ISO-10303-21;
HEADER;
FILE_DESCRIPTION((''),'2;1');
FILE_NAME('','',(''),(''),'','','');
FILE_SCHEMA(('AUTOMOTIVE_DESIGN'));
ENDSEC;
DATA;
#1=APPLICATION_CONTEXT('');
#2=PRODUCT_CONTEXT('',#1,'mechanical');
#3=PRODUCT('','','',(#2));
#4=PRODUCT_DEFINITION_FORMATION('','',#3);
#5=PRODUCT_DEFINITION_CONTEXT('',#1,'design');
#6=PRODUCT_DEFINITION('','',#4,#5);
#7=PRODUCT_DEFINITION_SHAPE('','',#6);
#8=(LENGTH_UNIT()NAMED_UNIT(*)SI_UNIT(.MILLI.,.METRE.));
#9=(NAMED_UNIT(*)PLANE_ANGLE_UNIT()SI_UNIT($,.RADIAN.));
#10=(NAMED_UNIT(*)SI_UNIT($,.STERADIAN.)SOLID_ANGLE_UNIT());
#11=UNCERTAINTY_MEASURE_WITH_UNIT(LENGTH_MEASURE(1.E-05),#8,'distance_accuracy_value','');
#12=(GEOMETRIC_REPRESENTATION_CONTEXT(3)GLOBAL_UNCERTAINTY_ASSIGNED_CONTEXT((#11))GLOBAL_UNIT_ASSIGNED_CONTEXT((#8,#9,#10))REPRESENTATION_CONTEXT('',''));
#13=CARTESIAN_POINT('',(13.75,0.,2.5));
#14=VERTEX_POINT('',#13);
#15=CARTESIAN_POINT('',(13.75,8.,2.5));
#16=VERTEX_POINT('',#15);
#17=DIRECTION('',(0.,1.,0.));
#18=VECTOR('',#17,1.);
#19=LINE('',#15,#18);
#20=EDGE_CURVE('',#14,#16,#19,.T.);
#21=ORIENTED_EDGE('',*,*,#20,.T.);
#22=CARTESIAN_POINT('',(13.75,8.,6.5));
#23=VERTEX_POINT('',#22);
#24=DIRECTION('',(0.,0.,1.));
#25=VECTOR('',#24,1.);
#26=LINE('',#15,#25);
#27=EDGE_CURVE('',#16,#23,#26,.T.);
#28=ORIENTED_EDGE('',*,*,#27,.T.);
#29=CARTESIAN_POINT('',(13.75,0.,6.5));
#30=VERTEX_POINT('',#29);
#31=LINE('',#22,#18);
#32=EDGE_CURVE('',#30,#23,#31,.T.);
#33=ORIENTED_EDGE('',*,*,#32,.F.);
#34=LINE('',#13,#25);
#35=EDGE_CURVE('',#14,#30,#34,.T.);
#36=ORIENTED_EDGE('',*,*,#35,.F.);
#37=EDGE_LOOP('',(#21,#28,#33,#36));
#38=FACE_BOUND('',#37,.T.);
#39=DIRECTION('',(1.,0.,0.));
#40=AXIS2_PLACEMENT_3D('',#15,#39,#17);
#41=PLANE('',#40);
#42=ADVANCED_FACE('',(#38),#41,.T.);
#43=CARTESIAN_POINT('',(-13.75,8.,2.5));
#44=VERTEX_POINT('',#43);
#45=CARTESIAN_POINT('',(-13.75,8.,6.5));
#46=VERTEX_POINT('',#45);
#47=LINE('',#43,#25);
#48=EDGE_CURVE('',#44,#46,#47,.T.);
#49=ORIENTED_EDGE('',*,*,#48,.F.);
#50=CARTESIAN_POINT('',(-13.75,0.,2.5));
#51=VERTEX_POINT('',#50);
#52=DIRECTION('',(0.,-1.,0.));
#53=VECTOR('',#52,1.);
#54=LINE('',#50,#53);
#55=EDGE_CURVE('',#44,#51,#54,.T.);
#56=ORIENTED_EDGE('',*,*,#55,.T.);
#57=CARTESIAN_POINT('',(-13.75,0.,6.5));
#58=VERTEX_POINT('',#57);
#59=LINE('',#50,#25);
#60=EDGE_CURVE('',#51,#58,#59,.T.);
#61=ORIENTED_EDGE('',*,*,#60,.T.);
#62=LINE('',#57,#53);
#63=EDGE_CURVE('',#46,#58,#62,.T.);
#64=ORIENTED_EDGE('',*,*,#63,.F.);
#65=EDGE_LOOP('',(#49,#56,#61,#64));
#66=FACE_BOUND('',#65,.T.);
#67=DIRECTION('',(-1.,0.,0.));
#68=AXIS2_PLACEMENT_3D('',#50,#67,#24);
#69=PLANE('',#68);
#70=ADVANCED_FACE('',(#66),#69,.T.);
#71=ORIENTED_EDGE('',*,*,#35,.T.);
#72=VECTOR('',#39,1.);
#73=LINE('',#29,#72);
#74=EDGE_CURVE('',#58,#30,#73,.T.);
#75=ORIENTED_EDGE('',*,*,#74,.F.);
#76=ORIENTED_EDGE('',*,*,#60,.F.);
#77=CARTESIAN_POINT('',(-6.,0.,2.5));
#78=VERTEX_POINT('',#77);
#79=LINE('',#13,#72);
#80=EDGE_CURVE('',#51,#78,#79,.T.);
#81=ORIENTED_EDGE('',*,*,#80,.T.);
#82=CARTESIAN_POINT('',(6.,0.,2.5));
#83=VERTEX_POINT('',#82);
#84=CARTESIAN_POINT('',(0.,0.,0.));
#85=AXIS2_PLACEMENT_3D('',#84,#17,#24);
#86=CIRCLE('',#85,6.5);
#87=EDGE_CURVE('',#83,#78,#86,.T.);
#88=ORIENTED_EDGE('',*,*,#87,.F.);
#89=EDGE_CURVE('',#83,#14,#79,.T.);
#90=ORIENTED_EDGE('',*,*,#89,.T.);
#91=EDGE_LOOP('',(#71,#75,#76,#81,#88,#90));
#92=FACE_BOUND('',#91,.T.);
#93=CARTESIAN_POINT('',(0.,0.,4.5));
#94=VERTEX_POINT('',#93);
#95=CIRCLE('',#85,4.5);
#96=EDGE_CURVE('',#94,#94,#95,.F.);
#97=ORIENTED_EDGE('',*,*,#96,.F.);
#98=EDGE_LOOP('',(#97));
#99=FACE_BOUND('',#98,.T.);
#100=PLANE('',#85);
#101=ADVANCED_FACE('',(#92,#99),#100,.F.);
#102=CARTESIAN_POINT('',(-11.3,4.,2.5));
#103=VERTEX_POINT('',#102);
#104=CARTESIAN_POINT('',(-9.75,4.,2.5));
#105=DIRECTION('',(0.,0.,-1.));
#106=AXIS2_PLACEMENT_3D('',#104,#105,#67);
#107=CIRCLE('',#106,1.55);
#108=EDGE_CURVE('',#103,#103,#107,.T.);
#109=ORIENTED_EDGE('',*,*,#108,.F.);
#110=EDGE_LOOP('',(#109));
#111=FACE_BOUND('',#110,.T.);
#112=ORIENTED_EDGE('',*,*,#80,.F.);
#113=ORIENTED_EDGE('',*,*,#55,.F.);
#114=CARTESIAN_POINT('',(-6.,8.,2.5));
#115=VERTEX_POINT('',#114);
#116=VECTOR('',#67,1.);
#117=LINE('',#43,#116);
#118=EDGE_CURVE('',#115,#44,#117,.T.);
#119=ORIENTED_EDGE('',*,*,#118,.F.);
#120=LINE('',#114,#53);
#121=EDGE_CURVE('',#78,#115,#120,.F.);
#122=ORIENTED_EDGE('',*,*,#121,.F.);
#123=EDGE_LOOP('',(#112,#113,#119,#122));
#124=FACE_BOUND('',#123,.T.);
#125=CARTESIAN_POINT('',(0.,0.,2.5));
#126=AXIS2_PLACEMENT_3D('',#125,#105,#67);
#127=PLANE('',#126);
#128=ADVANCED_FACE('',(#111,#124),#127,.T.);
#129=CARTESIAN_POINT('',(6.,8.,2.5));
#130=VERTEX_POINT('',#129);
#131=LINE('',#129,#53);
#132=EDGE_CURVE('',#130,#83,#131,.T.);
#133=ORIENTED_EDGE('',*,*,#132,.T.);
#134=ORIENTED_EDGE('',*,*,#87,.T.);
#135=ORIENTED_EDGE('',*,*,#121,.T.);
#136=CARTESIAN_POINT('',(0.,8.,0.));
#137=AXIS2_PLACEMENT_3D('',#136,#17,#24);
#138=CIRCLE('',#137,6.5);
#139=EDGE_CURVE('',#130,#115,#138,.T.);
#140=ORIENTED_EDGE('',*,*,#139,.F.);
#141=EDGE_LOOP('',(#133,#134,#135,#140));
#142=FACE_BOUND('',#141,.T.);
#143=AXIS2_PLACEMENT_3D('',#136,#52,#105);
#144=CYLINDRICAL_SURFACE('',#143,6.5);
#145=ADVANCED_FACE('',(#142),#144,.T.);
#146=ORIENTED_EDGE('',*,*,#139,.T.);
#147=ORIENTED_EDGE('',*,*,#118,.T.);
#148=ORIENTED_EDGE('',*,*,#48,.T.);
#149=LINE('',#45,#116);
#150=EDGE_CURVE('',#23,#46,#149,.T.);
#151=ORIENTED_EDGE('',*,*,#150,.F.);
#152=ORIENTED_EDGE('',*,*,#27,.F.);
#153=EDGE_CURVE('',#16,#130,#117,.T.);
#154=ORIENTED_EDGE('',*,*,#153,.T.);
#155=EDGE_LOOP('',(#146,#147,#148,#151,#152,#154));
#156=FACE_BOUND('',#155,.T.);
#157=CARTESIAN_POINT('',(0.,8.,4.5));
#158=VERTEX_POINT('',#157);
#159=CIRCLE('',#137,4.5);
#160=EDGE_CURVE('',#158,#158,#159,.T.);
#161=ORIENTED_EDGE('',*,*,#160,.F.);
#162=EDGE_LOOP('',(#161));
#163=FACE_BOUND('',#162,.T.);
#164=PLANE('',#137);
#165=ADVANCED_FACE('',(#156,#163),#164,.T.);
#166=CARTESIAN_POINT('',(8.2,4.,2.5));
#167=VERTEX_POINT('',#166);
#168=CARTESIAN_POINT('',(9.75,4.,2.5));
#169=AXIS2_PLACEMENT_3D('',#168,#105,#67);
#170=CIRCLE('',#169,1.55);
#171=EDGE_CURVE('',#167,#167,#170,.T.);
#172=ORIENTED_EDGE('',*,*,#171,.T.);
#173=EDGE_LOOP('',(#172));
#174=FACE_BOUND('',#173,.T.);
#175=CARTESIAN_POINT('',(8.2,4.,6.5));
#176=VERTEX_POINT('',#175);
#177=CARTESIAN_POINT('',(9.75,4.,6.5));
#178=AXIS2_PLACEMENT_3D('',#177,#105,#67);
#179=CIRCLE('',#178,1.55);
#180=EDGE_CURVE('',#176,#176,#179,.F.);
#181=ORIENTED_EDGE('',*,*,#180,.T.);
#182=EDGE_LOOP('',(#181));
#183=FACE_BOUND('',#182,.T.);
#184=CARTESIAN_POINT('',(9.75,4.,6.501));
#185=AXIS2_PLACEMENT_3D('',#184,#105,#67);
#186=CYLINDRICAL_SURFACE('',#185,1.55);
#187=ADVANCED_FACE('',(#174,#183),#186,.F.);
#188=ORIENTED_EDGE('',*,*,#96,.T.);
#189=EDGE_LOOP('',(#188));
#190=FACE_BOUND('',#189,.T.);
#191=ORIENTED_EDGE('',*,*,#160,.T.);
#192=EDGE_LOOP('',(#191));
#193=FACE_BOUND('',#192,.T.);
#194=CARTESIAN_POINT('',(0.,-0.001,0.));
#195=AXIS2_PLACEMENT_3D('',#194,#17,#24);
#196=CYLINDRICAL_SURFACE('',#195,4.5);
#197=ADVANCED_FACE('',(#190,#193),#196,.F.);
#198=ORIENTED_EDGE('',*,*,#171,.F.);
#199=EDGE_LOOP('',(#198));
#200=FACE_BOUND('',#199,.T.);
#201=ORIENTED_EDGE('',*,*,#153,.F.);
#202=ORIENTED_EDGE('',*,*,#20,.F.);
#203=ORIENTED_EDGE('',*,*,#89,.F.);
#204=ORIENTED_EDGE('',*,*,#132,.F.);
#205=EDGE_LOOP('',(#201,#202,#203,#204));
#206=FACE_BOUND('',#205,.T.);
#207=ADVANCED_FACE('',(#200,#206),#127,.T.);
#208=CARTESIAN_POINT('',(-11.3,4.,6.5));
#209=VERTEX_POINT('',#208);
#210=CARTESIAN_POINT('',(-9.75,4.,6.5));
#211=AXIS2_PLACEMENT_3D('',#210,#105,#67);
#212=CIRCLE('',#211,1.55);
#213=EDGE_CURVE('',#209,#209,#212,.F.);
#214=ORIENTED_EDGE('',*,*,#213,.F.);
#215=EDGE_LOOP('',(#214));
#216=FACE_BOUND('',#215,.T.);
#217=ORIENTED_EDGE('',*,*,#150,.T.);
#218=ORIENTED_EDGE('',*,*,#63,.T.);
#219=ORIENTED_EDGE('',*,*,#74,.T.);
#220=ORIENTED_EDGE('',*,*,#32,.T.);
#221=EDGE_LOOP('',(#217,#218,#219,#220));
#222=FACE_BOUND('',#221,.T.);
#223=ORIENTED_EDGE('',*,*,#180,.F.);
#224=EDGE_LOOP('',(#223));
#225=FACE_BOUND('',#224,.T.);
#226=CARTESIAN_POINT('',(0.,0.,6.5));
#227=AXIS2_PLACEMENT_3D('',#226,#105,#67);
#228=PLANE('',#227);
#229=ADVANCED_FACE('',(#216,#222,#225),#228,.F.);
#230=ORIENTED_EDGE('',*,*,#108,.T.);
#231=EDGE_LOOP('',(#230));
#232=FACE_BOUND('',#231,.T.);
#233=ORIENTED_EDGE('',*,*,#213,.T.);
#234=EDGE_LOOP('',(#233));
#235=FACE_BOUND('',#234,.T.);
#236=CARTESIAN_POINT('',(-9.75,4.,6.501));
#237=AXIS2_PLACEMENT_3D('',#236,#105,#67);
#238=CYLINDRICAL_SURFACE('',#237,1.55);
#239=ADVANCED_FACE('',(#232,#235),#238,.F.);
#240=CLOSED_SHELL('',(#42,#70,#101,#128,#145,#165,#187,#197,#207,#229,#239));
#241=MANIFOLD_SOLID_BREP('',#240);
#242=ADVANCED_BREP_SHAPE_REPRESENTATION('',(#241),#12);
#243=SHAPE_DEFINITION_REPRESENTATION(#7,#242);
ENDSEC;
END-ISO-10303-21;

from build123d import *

# Parameters (mm, degrees)
SKETCH1_R           = 6.5
BOSS_EXTRUDE1_DEPTH = 8
SKETCH3_W           = 27.5
SKETCH3_H           = 8
BOSS_EXTRUDE2_DEPTH = 4
CUT_EXTRUDE1_REACH  = 19.185
SKETCH4_R           = 4.5
CUT_EXTRUDE2_REACH  = 20.277
SKETCH5_R           = 1.55


with BuildPart() as part:
    # Sketch1 → Boss-Extrude1 (new body)
    with BuildSketch(Plane(origin=(0, 0, 0), x_dir=(1, 0, 0), z_dir=(0, 1, 0))):
        with Locations(Location((0, 0, 0), (0, 0, 270))):
            Circle(SKETCH1_R)
    extrude(amount=BOSS_EXTRUDE1_DEPTH)

    # Sketch3 → Boss-Extrude2 (add)
    with BuildSketch(Plane(origin=(0, 8, 6.5), x_dir=(1, 0, 0), z_dir=(0, 0, 1))):
        with Locations((0, -4)):
            Rectangle(SKETCH3_W, SKETCH3_H)
    extrude(amount=-BOSS_EXTRUDE2_DEPTH)

    # Sketch4 → Cut-Extrude1 (cut, up to next)
    with BuildSketch(Plane(origin=(0, 8, 0), x_dir=(1, 0, 0), z_dir=(0, 1, 0)), mode=Mode.PRIVATE) as cut_extrude1_sk1:
        with Locations(Location((0, 0, 0), (0, 0, 270))):
            Circle(SKETCH4_R)
    cut_extrude1_tool1 = extrude(cut_extrude1_sk1.sketch, amount=-CUT_EXTRUDE1_REACH, mode=Mode.PRIVATE) & part.part
    add(cut_extrude1_tool1.solids().sort_by_distance((0, 8, 0))[0], mode=Mode.SUBTRACT)

    # Sketch5 → Cut-Extrude2 (cut, up to next)
    with BuildSketch(Plane(origin=(0, 0, 2.5), x_dir=(-1, 0, 0), z_dir=(0, 0, -1)), mode=Mode.PRIVATE) as cut_extrude2_sk1:
        with Locations((9.75, 4)):
            Circle(SKETCH5_R)
    cut_extrude2_tool1 = extrude(cut_extrude2_sk1.sketch, amount=-CUT_EXTRUDE2_REACH, mode=Mode.PRIVATE) & part.part
    # Sketch5 → Cut-Extrude2 (cut, up to next)
    with BuildSketch(Plane(origin=(0, 0, 2.5), x_dir=(-1, 0, 0), z_dir=(0, 0, -1)), mode=Mode.PRIVATE) as cut_extrude2_sk2:
        with Locations((-9.75, 4)):
            Circle(SKETCH5_R)
    cut_extrude2_tool2 = extrude(cut_extrude2_sk2.sketch, amount=-CUT_EXTRUDE2_REACH, mode=Mode.PRIVATE) & part.part
    add(cut_extrude2_tool1.solids().sort_by_distance((-9.75, 4, 2.5))[0], mode=Mode.SUBTRACT)
    add(cut_extrude2_tool2.solids().sort_by_distance((9.75, 4, 2.5))[0], mode=Mode.SUBTRACT)


solid = part.part
